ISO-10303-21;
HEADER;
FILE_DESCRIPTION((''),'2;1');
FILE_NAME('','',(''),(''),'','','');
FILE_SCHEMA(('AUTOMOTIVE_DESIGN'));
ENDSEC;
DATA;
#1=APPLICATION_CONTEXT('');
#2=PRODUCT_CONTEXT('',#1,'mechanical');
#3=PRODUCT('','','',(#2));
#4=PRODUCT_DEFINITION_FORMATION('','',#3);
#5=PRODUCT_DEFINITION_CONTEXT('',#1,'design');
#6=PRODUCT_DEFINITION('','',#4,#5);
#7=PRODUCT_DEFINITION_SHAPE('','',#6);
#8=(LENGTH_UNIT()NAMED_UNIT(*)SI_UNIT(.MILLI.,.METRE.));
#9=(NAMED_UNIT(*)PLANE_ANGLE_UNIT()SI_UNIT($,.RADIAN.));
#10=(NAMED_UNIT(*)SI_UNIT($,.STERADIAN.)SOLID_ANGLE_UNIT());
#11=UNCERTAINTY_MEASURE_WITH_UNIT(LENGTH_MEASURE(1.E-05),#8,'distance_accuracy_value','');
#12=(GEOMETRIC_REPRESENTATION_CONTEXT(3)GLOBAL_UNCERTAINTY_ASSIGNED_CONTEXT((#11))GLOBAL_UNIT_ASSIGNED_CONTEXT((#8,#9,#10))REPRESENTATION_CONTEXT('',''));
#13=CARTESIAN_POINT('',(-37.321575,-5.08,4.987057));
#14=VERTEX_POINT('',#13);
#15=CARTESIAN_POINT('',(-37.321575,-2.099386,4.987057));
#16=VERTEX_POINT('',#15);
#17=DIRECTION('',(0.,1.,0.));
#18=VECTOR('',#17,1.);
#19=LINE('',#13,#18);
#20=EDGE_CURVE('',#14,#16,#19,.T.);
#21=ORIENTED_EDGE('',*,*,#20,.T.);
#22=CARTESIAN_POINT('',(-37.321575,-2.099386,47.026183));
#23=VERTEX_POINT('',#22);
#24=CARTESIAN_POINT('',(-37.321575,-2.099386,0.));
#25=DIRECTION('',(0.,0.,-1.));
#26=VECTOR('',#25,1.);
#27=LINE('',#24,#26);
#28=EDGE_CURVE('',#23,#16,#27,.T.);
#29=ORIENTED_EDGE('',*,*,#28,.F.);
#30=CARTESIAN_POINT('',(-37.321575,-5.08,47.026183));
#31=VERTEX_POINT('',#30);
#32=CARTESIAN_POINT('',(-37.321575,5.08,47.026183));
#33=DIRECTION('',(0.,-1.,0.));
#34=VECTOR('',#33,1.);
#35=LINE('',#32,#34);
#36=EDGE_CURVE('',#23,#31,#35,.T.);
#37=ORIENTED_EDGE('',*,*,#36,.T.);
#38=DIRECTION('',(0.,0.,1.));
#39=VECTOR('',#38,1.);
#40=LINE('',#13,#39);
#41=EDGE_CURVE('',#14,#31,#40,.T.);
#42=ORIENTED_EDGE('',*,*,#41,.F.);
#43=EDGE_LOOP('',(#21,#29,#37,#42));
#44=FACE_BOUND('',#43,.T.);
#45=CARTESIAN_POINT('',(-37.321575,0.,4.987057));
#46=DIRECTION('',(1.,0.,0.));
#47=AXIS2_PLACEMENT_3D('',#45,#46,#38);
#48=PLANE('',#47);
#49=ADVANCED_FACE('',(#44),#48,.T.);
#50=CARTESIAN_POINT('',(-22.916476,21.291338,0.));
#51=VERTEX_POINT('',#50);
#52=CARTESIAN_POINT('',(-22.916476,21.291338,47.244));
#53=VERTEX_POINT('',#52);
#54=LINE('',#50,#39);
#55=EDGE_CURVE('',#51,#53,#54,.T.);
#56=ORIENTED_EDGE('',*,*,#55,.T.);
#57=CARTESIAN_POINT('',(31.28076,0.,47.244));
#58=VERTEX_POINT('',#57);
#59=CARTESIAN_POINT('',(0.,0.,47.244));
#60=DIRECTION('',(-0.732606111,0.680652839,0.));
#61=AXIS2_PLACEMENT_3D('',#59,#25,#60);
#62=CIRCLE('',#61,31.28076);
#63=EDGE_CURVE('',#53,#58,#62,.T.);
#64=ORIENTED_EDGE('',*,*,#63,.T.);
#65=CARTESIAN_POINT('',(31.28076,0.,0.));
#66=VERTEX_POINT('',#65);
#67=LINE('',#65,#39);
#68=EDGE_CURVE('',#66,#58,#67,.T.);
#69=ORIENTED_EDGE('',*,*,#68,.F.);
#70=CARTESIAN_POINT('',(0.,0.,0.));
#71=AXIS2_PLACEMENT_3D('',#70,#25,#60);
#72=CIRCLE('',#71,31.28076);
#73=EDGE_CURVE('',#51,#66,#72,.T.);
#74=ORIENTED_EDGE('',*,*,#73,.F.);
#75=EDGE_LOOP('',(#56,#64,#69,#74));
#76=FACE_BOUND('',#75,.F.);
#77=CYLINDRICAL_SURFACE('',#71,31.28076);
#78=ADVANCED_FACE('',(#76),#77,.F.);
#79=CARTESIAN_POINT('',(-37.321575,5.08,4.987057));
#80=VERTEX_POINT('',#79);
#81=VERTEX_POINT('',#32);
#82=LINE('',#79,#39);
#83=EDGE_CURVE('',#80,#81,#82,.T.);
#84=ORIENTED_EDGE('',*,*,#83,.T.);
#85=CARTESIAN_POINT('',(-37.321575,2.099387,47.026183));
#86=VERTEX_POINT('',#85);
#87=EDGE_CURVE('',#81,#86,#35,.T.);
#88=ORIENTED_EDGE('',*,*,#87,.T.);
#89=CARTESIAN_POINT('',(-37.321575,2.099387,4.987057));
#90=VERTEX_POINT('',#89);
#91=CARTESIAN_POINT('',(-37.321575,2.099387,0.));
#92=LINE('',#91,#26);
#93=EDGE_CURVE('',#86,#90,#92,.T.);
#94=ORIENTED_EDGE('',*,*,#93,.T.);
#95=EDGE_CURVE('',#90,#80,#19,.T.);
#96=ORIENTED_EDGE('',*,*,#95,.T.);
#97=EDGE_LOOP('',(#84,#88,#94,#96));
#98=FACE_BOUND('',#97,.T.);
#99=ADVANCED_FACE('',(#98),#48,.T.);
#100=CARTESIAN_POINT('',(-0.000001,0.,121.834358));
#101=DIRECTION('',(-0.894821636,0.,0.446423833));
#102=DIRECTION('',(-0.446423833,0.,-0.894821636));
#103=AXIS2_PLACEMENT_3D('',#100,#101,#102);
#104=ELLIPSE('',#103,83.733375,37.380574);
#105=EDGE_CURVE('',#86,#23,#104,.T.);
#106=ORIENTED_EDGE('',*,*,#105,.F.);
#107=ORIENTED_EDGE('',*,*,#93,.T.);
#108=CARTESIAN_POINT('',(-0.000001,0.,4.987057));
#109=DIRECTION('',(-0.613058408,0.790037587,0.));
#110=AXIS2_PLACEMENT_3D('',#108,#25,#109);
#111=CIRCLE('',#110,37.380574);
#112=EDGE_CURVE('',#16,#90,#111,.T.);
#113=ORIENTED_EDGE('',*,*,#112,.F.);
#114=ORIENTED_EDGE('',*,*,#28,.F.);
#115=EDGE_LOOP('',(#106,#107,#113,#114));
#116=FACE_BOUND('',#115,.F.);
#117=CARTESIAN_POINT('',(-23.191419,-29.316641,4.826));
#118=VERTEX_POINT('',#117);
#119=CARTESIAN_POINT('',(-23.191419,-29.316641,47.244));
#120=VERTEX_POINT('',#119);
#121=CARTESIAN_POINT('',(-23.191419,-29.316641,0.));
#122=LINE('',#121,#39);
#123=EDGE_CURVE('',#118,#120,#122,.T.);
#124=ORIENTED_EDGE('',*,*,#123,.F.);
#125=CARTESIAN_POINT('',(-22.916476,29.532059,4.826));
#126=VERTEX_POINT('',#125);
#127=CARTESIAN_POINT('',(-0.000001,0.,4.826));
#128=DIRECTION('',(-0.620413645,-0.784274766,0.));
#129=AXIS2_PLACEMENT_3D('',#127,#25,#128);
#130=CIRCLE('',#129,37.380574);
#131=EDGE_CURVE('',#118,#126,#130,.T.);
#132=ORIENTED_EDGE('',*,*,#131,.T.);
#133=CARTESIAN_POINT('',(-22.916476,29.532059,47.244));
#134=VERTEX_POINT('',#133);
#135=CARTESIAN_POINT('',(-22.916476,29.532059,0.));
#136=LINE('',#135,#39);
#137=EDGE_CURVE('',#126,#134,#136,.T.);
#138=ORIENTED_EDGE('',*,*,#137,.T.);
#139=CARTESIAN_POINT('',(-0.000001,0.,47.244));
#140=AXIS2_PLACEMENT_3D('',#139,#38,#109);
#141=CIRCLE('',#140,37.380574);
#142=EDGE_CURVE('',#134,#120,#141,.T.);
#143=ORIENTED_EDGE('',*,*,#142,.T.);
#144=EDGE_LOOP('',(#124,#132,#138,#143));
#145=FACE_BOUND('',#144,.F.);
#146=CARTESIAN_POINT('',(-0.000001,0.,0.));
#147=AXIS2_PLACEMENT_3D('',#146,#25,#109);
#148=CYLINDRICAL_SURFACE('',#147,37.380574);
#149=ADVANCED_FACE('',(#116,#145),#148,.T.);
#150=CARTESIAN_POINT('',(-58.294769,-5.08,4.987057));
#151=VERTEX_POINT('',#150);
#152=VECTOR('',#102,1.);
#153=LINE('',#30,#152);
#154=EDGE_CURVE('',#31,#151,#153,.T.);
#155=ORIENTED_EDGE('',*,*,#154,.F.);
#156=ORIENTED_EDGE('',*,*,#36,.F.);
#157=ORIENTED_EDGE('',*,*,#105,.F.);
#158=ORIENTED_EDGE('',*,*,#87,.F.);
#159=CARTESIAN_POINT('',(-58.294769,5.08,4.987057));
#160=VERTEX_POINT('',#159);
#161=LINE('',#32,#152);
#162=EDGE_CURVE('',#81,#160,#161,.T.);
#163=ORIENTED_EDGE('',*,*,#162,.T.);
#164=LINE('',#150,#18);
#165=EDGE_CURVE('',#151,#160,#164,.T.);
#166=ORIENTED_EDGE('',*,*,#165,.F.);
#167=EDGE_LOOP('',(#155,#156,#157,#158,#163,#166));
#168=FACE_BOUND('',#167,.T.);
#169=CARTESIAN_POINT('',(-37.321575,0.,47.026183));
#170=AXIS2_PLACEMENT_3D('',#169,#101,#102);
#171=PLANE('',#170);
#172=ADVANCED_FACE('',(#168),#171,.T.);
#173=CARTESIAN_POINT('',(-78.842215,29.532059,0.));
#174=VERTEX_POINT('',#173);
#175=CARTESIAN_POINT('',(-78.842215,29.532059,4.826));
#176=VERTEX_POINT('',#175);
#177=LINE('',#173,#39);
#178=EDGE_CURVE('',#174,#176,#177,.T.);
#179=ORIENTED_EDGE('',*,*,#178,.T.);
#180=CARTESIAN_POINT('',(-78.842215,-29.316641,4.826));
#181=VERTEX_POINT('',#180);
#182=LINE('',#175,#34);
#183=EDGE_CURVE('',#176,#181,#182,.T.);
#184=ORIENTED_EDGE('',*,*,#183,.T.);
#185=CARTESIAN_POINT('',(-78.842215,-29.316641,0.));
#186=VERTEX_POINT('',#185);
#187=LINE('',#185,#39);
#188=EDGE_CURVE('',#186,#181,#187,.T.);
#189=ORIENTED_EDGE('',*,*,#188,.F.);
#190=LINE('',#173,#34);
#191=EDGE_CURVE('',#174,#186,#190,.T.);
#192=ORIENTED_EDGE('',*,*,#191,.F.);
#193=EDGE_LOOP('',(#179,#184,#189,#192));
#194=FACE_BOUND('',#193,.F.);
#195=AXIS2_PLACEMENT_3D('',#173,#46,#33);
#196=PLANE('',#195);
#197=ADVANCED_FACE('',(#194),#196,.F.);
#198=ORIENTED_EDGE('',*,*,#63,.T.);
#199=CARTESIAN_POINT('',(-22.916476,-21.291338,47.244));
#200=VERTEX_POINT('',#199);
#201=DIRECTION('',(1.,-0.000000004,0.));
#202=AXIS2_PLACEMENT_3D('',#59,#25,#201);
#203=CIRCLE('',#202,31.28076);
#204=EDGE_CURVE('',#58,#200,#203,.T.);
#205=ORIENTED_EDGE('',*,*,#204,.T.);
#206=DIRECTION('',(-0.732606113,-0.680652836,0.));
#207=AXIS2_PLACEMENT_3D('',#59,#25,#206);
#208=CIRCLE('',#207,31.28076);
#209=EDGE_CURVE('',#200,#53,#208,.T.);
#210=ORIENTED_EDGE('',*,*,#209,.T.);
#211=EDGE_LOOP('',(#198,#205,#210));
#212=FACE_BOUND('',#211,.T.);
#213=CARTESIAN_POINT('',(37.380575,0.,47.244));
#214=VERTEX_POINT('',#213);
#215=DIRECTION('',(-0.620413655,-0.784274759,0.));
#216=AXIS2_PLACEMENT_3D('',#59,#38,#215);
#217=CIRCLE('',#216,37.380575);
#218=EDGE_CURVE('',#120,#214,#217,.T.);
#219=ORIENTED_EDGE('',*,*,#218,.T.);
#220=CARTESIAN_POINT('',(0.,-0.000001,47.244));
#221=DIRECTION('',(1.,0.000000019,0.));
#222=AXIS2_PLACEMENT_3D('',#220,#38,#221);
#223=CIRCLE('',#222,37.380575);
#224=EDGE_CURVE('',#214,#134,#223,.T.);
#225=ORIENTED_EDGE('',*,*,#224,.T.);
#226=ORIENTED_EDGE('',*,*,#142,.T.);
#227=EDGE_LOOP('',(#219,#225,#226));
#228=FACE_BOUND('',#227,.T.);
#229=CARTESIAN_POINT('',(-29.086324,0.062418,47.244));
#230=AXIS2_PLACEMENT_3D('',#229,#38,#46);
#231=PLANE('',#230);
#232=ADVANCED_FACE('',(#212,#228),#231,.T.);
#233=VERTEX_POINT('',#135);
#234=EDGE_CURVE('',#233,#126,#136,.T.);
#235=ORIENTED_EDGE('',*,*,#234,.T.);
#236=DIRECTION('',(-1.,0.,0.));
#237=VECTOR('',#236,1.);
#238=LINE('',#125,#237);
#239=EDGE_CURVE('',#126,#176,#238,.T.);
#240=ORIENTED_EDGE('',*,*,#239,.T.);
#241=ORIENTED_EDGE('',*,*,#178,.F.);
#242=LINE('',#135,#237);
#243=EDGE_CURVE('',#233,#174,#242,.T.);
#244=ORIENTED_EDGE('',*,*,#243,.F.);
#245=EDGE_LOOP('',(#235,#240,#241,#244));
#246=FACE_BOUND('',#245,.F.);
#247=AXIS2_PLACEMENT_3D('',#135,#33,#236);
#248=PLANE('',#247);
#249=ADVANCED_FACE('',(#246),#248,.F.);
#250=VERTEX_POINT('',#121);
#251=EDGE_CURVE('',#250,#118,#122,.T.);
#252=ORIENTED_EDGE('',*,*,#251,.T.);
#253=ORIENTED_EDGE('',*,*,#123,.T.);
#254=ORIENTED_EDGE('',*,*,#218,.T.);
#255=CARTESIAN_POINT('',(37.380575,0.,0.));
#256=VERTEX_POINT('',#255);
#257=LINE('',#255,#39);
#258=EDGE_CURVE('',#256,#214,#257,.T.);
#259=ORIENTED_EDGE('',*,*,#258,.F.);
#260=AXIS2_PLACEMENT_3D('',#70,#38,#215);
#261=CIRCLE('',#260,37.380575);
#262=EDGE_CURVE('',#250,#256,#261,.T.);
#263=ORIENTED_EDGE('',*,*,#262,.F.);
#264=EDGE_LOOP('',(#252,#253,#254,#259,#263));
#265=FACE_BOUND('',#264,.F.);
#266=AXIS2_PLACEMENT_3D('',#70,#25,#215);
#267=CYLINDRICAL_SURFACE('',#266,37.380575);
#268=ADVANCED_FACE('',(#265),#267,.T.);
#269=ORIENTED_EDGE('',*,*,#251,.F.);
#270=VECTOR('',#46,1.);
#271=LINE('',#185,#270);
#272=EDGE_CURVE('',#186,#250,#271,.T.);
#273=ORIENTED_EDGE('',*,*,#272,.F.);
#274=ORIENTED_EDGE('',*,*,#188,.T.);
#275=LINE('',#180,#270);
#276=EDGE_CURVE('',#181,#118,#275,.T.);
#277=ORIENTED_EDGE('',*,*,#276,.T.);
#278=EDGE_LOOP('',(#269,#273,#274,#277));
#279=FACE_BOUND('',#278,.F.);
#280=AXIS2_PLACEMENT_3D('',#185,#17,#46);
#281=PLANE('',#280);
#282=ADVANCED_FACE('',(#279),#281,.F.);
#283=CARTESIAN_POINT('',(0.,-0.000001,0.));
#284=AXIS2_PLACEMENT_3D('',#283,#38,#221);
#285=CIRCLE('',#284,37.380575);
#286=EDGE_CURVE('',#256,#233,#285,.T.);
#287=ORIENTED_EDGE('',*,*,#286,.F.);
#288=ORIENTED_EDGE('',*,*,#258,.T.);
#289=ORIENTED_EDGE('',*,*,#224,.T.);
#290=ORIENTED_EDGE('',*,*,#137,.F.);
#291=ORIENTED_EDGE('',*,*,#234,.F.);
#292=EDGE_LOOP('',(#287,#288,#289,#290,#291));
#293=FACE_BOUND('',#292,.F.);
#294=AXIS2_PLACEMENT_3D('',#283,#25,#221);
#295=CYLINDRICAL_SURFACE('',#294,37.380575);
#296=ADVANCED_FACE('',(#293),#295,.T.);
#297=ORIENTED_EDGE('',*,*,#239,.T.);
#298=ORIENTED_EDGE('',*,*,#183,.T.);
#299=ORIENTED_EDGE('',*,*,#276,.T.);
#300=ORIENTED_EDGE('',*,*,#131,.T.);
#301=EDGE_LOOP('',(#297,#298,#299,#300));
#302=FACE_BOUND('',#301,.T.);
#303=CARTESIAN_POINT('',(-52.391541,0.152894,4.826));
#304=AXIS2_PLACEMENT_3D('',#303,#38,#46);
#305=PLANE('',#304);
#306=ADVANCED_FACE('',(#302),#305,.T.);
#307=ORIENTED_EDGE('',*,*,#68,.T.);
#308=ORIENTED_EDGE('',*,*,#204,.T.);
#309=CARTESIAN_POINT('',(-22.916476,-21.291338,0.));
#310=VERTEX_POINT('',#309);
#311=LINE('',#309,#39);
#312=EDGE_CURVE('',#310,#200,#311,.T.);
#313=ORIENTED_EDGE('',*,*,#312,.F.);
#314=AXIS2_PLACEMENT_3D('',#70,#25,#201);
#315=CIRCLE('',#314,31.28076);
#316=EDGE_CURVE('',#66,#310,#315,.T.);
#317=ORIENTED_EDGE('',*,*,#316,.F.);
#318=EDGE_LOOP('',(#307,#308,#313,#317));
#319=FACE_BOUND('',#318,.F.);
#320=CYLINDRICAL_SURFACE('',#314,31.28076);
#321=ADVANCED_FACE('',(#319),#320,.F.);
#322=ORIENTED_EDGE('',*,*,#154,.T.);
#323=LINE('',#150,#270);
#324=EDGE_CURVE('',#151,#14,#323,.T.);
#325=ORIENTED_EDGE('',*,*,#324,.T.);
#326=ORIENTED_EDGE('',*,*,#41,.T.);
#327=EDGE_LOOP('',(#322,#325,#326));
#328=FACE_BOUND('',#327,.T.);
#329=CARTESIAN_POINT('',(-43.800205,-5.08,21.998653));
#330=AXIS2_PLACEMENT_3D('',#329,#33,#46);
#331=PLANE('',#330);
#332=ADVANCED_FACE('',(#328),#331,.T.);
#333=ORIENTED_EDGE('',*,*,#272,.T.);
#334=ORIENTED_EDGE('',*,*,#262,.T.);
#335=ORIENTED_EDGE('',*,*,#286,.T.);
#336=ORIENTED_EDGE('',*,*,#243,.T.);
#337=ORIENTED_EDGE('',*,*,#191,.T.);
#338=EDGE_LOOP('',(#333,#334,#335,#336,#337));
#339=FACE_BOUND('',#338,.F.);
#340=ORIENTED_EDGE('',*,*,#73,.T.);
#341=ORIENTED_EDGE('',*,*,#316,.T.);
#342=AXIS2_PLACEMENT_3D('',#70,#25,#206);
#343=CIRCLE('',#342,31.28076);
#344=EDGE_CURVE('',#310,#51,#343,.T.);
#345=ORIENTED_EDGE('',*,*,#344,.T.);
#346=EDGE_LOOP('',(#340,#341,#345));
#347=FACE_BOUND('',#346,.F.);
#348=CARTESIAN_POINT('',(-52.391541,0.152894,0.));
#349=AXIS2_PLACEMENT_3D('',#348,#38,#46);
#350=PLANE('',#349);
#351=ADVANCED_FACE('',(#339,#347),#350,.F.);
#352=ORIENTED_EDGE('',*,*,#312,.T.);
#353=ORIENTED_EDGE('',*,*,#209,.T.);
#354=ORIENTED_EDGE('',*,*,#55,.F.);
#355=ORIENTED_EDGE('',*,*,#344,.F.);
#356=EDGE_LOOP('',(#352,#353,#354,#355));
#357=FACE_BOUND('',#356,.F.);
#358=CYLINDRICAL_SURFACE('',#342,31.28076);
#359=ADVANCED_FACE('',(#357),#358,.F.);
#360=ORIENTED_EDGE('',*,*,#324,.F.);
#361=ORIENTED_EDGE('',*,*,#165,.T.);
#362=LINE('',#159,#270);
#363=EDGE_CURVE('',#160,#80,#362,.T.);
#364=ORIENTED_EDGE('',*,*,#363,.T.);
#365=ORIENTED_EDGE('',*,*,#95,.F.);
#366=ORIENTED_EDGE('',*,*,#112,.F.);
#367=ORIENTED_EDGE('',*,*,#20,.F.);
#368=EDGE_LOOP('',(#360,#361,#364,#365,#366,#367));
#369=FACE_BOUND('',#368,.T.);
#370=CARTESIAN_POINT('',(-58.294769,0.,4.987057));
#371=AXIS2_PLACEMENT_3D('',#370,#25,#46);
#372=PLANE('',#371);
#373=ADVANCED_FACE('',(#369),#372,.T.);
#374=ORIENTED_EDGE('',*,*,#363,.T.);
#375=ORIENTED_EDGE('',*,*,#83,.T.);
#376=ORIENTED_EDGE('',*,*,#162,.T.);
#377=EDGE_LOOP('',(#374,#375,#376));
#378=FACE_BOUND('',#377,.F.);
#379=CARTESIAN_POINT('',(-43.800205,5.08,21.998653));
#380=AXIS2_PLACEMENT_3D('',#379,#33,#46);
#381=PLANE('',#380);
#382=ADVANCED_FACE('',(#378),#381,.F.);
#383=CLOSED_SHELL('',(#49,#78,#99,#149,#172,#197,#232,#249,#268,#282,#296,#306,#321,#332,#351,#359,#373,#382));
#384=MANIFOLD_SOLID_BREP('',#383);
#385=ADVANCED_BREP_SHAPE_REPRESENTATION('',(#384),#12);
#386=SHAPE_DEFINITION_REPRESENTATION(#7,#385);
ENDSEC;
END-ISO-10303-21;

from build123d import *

# Parameters (mm, degrees)
F1_DEPTH = 47.244
F2_DEPTH = 4.826
F4_DEPTH = 5.08


with BuildPart() as f1:
    # F0 (on Top) → F1 (new body)
    with BuildSketch(Plane.XY):
        with BuildLine():
            Line((-22.916476, 21.291338), (-22.916476, 29.532059))
            ThreePointArc((-22.916476, 29.532059), (-37.380167, 0.174641), (-23.191419, -29.316641))
            Line((-23.191419, -29.316641), (-22.916476, -29.316641))
            Line((-22.916476, -29.316641), (-22.916476, -21.291338))
            ThreePointArc((-22.916476, -21.291338), (-31.28076, 0), (-22.916476, 21.291338))
        make_face()
        with BuildLine():
            ThreePointArc((-23.191419, -29.316641), (16.284944, -33.646812), (37.380575, 0))
            ThreePointArc((37.380575, 0), (16.441963, 33.570362), (-22.916476, 29.532059))
            Line((-22.916476, 29.532059), (-22.916476, 21.291338))
            ThreePointArc((-22.916476, 21.291338), (11.437683, 29.114693), (31.28076, 0))
            ThreePointArc((31.28076, 0), (11.437683, -29.114693), (-22.916476, -21.291338))
            Line((-22.916476, -21.291338), (-22.916476, -29.316641))
            Line((-22.916476, -29.316641), (-23.191419, -29.316641))
        make_face()
    extrude(amount=F1_DEPTH)

    # F0 (on Top) → F2 (join)
    with BuildSketch(Plane.XY):
        with BuildLine():
            ThreePointArc((-23.191419, -29.316641), (-37.380167, 0.174641), (-22.916476, 29.532059))
            Line((-22.916476, 29.532059), (-78.842215, 29.532059))
            Line((-78.842215, 29.532059), (-78.842215, -29.316641))
            Line((-78.842215, -29.316641), (-23.191419, -29.316641))
        make_face()
    extrude(amount=F2_DEPTH)

    # F3 (on Front) → F4 (join, symmetric)
    with BuildSketch(Plane.XZ):
        Polygon((-37.321575, 4.987057), (-37.321575, 47.026183), (-58.294769, 4.987057), align=None)
    extrude(amount=F4_DEPTH, both=True)


solid = f1.part
